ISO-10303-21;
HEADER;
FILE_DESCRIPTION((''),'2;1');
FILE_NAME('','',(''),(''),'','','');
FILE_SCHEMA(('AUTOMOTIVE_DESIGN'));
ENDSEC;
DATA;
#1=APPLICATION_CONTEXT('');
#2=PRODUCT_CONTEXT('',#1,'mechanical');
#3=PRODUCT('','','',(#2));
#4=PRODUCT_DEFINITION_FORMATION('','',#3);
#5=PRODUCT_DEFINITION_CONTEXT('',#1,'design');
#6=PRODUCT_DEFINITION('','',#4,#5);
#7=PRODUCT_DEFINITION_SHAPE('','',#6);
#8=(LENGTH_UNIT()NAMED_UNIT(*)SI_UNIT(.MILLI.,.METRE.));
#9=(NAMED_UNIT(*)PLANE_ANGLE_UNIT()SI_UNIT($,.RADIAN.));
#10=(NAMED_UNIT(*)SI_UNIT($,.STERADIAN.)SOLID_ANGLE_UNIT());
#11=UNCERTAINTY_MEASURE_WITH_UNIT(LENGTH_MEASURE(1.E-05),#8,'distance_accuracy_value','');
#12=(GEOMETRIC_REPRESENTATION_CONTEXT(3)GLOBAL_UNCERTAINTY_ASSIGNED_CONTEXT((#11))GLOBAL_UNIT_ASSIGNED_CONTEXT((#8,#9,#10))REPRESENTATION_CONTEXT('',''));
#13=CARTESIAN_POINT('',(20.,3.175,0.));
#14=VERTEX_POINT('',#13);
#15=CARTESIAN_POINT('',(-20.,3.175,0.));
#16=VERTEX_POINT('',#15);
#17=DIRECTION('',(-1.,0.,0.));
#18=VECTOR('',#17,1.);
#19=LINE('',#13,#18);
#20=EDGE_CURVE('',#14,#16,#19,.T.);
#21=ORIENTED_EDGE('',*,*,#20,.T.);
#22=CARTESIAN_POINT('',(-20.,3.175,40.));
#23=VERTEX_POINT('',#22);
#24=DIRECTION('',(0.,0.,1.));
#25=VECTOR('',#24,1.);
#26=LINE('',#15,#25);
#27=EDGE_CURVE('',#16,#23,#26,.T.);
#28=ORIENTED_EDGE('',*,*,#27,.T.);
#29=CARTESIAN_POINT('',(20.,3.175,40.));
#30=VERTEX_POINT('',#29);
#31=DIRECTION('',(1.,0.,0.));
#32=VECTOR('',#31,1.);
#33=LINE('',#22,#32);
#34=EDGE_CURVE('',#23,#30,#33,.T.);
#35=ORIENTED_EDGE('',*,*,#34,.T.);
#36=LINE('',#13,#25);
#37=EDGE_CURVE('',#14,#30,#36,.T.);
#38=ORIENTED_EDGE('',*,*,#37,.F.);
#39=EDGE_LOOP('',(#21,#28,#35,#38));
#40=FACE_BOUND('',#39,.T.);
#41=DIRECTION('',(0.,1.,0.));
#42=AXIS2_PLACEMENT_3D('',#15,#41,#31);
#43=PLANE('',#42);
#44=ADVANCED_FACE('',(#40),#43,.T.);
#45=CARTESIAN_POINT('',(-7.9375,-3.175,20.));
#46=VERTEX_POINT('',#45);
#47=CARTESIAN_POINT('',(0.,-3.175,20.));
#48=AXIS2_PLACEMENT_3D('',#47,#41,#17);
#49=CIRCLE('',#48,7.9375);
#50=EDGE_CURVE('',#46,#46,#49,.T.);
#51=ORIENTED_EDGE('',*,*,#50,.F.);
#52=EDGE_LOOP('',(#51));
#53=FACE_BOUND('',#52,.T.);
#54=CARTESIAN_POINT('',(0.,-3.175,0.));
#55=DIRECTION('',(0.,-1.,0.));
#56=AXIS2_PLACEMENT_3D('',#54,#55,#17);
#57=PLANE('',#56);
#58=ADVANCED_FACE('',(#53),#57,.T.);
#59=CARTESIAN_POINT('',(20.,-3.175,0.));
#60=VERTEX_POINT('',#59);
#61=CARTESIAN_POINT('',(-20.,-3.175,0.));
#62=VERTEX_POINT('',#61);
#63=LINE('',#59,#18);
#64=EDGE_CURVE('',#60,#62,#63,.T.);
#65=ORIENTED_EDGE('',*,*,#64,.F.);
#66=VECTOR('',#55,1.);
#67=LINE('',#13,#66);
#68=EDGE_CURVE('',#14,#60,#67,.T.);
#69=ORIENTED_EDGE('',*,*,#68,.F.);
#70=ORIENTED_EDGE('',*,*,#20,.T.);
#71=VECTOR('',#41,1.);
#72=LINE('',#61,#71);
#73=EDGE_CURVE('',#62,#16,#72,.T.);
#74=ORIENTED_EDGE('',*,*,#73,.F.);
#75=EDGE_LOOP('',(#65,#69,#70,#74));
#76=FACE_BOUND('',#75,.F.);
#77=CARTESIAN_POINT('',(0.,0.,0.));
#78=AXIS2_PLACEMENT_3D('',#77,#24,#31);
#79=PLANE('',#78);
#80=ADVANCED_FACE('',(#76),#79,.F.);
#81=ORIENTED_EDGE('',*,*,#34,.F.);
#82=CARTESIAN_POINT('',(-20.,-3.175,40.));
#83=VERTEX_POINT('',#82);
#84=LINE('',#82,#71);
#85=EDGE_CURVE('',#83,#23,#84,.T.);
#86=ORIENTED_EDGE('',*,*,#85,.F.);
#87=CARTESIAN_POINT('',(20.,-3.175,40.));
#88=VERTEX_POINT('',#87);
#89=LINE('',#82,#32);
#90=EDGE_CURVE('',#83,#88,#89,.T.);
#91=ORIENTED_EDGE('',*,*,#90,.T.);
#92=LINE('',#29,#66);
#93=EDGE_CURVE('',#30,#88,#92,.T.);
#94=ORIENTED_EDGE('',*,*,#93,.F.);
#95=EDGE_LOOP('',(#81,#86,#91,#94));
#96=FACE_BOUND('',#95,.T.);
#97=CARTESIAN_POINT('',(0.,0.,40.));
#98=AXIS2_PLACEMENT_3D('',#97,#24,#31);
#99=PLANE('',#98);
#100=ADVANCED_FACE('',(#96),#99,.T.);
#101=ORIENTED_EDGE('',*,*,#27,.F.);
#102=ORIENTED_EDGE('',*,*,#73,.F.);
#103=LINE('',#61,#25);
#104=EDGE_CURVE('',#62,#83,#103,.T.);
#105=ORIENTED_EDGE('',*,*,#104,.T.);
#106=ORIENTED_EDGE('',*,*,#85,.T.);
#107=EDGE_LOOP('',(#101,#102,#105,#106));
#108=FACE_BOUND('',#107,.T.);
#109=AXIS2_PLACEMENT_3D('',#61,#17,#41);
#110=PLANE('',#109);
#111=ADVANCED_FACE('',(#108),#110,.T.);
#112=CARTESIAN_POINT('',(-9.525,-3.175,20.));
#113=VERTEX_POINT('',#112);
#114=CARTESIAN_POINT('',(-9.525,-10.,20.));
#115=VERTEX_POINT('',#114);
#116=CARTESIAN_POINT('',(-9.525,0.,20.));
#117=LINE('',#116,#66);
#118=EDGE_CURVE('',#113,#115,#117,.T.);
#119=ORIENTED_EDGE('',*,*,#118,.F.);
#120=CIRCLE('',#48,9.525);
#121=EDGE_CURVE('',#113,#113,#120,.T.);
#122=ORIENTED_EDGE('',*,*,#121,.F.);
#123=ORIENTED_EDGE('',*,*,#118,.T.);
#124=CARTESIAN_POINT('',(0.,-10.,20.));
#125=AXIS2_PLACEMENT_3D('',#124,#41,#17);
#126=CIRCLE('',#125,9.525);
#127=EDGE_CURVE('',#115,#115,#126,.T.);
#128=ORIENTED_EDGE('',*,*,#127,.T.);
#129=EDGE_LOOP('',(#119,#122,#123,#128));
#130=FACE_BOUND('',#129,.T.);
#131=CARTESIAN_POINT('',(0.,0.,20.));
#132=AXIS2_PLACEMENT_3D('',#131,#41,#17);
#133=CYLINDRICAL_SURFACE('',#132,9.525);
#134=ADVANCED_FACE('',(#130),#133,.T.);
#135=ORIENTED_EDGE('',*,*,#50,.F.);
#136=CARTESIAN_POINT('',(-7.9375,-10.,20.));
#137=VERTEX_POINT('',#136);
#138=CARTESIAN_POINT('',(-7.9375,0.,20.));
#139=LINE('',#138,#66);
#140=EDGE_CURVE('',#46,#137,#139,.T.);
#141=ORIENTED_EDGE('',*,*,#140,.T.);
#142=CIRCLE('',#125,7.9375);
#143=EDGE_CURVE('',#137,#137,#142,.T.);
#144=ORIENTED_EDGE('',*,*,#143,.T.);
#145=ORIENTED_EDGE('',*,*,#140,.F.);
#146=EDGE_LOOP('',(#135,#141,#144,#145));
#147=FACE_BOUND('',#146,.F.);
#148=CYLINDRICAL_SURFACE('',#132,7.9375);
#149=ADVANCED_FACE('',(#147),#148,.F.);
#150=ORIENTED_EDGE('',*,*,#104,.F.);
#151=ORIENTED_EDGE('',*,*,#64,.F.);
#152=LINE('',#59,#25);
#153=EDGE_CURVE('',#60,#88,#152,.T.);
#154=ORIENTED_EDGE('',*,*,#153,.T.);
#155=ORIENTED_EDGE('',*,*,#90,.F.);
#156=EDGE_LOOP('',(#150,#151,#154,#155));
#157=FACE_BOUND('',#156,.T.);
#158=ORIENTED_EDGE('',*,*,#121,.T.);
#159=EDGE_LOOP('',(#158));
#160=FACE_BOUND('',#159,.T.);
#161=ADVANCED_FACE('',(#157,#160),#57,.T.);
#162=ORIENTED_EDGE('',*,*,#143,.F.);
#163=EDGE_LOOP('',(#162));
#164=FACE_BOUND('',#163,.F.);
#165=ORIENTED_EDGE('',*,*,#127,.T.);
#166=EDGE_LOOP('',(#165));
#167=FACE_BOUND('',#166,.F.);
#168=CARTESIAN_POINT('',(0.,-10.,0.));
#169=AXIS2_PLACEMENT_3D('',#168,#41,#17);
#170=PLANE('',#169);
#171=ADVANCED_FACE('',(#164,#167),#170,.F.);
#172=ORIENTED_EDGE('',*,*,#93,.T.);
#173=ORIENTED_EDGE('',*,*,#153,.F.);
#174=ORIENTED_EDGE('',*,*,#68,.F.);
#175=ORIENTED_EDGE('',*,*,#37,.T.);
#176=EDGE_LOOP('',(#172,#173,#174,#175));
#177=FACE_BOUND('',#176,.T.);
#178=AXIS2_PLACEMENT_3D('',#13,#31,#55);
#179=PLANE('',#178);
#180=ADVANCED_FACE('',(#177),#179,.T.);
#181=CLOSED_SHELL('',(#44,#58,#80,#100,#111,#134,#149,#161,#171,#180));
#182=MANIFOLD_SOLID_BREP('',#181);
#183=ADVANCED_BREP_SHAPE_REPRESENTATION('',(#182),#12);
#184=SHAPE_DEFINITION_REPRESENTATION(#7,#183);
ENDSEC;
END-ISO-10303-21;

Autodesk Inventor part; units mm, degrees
ref_plane "YZ Plane" through (0, 0, 0) normal (1, 0, 0) x (0, 1, 0)
ref_plane "XZ Plane" through (0, 0, 0) normal (0, 1, 0) x (-1, 0, 0)
ref_plane "XY Plane" through (0, 0, 0) normal (0, 0, 1) x (1, 0, 0)
sketch "Sketch1" plane through (0, 0, 0) normal (0, 0, 1) x (1, 0, 0)
  line L0 (-20, 3.175) -> (20, 3.175)
  line L1 (20, 3.175) -> (20, -3.175)
  line L2 (20, -3.175) -> (-20, -3.175)
  line L3 (-20, -3.175) -> (-20, 3.175)
  line L4 (0, 10.7485) -> (0, -11.1125)
  point P0 (0, 0)
  dimension "d5" = 40
extrude "Extrusion1" add sketch "Sketch1" along normal blind 40
sketch "Sketch2" plane through (0, 0, 0) normal (0, 1, 0) x (-1, 0, 0)
  circle A0 centre (0, 20) radius 7.9375
  circle A1 centre (0, 20) radius 9.525
  line L0 (20, 0) -> (-20, 0) projected
  point P0 (0, 0)
  dimension "d2" = 15.875
  dimension "d6" = 20
extrude "Extrusion2" add sketch "Sketch2" against normal blind 10
properties part number "BindingPiece1"
